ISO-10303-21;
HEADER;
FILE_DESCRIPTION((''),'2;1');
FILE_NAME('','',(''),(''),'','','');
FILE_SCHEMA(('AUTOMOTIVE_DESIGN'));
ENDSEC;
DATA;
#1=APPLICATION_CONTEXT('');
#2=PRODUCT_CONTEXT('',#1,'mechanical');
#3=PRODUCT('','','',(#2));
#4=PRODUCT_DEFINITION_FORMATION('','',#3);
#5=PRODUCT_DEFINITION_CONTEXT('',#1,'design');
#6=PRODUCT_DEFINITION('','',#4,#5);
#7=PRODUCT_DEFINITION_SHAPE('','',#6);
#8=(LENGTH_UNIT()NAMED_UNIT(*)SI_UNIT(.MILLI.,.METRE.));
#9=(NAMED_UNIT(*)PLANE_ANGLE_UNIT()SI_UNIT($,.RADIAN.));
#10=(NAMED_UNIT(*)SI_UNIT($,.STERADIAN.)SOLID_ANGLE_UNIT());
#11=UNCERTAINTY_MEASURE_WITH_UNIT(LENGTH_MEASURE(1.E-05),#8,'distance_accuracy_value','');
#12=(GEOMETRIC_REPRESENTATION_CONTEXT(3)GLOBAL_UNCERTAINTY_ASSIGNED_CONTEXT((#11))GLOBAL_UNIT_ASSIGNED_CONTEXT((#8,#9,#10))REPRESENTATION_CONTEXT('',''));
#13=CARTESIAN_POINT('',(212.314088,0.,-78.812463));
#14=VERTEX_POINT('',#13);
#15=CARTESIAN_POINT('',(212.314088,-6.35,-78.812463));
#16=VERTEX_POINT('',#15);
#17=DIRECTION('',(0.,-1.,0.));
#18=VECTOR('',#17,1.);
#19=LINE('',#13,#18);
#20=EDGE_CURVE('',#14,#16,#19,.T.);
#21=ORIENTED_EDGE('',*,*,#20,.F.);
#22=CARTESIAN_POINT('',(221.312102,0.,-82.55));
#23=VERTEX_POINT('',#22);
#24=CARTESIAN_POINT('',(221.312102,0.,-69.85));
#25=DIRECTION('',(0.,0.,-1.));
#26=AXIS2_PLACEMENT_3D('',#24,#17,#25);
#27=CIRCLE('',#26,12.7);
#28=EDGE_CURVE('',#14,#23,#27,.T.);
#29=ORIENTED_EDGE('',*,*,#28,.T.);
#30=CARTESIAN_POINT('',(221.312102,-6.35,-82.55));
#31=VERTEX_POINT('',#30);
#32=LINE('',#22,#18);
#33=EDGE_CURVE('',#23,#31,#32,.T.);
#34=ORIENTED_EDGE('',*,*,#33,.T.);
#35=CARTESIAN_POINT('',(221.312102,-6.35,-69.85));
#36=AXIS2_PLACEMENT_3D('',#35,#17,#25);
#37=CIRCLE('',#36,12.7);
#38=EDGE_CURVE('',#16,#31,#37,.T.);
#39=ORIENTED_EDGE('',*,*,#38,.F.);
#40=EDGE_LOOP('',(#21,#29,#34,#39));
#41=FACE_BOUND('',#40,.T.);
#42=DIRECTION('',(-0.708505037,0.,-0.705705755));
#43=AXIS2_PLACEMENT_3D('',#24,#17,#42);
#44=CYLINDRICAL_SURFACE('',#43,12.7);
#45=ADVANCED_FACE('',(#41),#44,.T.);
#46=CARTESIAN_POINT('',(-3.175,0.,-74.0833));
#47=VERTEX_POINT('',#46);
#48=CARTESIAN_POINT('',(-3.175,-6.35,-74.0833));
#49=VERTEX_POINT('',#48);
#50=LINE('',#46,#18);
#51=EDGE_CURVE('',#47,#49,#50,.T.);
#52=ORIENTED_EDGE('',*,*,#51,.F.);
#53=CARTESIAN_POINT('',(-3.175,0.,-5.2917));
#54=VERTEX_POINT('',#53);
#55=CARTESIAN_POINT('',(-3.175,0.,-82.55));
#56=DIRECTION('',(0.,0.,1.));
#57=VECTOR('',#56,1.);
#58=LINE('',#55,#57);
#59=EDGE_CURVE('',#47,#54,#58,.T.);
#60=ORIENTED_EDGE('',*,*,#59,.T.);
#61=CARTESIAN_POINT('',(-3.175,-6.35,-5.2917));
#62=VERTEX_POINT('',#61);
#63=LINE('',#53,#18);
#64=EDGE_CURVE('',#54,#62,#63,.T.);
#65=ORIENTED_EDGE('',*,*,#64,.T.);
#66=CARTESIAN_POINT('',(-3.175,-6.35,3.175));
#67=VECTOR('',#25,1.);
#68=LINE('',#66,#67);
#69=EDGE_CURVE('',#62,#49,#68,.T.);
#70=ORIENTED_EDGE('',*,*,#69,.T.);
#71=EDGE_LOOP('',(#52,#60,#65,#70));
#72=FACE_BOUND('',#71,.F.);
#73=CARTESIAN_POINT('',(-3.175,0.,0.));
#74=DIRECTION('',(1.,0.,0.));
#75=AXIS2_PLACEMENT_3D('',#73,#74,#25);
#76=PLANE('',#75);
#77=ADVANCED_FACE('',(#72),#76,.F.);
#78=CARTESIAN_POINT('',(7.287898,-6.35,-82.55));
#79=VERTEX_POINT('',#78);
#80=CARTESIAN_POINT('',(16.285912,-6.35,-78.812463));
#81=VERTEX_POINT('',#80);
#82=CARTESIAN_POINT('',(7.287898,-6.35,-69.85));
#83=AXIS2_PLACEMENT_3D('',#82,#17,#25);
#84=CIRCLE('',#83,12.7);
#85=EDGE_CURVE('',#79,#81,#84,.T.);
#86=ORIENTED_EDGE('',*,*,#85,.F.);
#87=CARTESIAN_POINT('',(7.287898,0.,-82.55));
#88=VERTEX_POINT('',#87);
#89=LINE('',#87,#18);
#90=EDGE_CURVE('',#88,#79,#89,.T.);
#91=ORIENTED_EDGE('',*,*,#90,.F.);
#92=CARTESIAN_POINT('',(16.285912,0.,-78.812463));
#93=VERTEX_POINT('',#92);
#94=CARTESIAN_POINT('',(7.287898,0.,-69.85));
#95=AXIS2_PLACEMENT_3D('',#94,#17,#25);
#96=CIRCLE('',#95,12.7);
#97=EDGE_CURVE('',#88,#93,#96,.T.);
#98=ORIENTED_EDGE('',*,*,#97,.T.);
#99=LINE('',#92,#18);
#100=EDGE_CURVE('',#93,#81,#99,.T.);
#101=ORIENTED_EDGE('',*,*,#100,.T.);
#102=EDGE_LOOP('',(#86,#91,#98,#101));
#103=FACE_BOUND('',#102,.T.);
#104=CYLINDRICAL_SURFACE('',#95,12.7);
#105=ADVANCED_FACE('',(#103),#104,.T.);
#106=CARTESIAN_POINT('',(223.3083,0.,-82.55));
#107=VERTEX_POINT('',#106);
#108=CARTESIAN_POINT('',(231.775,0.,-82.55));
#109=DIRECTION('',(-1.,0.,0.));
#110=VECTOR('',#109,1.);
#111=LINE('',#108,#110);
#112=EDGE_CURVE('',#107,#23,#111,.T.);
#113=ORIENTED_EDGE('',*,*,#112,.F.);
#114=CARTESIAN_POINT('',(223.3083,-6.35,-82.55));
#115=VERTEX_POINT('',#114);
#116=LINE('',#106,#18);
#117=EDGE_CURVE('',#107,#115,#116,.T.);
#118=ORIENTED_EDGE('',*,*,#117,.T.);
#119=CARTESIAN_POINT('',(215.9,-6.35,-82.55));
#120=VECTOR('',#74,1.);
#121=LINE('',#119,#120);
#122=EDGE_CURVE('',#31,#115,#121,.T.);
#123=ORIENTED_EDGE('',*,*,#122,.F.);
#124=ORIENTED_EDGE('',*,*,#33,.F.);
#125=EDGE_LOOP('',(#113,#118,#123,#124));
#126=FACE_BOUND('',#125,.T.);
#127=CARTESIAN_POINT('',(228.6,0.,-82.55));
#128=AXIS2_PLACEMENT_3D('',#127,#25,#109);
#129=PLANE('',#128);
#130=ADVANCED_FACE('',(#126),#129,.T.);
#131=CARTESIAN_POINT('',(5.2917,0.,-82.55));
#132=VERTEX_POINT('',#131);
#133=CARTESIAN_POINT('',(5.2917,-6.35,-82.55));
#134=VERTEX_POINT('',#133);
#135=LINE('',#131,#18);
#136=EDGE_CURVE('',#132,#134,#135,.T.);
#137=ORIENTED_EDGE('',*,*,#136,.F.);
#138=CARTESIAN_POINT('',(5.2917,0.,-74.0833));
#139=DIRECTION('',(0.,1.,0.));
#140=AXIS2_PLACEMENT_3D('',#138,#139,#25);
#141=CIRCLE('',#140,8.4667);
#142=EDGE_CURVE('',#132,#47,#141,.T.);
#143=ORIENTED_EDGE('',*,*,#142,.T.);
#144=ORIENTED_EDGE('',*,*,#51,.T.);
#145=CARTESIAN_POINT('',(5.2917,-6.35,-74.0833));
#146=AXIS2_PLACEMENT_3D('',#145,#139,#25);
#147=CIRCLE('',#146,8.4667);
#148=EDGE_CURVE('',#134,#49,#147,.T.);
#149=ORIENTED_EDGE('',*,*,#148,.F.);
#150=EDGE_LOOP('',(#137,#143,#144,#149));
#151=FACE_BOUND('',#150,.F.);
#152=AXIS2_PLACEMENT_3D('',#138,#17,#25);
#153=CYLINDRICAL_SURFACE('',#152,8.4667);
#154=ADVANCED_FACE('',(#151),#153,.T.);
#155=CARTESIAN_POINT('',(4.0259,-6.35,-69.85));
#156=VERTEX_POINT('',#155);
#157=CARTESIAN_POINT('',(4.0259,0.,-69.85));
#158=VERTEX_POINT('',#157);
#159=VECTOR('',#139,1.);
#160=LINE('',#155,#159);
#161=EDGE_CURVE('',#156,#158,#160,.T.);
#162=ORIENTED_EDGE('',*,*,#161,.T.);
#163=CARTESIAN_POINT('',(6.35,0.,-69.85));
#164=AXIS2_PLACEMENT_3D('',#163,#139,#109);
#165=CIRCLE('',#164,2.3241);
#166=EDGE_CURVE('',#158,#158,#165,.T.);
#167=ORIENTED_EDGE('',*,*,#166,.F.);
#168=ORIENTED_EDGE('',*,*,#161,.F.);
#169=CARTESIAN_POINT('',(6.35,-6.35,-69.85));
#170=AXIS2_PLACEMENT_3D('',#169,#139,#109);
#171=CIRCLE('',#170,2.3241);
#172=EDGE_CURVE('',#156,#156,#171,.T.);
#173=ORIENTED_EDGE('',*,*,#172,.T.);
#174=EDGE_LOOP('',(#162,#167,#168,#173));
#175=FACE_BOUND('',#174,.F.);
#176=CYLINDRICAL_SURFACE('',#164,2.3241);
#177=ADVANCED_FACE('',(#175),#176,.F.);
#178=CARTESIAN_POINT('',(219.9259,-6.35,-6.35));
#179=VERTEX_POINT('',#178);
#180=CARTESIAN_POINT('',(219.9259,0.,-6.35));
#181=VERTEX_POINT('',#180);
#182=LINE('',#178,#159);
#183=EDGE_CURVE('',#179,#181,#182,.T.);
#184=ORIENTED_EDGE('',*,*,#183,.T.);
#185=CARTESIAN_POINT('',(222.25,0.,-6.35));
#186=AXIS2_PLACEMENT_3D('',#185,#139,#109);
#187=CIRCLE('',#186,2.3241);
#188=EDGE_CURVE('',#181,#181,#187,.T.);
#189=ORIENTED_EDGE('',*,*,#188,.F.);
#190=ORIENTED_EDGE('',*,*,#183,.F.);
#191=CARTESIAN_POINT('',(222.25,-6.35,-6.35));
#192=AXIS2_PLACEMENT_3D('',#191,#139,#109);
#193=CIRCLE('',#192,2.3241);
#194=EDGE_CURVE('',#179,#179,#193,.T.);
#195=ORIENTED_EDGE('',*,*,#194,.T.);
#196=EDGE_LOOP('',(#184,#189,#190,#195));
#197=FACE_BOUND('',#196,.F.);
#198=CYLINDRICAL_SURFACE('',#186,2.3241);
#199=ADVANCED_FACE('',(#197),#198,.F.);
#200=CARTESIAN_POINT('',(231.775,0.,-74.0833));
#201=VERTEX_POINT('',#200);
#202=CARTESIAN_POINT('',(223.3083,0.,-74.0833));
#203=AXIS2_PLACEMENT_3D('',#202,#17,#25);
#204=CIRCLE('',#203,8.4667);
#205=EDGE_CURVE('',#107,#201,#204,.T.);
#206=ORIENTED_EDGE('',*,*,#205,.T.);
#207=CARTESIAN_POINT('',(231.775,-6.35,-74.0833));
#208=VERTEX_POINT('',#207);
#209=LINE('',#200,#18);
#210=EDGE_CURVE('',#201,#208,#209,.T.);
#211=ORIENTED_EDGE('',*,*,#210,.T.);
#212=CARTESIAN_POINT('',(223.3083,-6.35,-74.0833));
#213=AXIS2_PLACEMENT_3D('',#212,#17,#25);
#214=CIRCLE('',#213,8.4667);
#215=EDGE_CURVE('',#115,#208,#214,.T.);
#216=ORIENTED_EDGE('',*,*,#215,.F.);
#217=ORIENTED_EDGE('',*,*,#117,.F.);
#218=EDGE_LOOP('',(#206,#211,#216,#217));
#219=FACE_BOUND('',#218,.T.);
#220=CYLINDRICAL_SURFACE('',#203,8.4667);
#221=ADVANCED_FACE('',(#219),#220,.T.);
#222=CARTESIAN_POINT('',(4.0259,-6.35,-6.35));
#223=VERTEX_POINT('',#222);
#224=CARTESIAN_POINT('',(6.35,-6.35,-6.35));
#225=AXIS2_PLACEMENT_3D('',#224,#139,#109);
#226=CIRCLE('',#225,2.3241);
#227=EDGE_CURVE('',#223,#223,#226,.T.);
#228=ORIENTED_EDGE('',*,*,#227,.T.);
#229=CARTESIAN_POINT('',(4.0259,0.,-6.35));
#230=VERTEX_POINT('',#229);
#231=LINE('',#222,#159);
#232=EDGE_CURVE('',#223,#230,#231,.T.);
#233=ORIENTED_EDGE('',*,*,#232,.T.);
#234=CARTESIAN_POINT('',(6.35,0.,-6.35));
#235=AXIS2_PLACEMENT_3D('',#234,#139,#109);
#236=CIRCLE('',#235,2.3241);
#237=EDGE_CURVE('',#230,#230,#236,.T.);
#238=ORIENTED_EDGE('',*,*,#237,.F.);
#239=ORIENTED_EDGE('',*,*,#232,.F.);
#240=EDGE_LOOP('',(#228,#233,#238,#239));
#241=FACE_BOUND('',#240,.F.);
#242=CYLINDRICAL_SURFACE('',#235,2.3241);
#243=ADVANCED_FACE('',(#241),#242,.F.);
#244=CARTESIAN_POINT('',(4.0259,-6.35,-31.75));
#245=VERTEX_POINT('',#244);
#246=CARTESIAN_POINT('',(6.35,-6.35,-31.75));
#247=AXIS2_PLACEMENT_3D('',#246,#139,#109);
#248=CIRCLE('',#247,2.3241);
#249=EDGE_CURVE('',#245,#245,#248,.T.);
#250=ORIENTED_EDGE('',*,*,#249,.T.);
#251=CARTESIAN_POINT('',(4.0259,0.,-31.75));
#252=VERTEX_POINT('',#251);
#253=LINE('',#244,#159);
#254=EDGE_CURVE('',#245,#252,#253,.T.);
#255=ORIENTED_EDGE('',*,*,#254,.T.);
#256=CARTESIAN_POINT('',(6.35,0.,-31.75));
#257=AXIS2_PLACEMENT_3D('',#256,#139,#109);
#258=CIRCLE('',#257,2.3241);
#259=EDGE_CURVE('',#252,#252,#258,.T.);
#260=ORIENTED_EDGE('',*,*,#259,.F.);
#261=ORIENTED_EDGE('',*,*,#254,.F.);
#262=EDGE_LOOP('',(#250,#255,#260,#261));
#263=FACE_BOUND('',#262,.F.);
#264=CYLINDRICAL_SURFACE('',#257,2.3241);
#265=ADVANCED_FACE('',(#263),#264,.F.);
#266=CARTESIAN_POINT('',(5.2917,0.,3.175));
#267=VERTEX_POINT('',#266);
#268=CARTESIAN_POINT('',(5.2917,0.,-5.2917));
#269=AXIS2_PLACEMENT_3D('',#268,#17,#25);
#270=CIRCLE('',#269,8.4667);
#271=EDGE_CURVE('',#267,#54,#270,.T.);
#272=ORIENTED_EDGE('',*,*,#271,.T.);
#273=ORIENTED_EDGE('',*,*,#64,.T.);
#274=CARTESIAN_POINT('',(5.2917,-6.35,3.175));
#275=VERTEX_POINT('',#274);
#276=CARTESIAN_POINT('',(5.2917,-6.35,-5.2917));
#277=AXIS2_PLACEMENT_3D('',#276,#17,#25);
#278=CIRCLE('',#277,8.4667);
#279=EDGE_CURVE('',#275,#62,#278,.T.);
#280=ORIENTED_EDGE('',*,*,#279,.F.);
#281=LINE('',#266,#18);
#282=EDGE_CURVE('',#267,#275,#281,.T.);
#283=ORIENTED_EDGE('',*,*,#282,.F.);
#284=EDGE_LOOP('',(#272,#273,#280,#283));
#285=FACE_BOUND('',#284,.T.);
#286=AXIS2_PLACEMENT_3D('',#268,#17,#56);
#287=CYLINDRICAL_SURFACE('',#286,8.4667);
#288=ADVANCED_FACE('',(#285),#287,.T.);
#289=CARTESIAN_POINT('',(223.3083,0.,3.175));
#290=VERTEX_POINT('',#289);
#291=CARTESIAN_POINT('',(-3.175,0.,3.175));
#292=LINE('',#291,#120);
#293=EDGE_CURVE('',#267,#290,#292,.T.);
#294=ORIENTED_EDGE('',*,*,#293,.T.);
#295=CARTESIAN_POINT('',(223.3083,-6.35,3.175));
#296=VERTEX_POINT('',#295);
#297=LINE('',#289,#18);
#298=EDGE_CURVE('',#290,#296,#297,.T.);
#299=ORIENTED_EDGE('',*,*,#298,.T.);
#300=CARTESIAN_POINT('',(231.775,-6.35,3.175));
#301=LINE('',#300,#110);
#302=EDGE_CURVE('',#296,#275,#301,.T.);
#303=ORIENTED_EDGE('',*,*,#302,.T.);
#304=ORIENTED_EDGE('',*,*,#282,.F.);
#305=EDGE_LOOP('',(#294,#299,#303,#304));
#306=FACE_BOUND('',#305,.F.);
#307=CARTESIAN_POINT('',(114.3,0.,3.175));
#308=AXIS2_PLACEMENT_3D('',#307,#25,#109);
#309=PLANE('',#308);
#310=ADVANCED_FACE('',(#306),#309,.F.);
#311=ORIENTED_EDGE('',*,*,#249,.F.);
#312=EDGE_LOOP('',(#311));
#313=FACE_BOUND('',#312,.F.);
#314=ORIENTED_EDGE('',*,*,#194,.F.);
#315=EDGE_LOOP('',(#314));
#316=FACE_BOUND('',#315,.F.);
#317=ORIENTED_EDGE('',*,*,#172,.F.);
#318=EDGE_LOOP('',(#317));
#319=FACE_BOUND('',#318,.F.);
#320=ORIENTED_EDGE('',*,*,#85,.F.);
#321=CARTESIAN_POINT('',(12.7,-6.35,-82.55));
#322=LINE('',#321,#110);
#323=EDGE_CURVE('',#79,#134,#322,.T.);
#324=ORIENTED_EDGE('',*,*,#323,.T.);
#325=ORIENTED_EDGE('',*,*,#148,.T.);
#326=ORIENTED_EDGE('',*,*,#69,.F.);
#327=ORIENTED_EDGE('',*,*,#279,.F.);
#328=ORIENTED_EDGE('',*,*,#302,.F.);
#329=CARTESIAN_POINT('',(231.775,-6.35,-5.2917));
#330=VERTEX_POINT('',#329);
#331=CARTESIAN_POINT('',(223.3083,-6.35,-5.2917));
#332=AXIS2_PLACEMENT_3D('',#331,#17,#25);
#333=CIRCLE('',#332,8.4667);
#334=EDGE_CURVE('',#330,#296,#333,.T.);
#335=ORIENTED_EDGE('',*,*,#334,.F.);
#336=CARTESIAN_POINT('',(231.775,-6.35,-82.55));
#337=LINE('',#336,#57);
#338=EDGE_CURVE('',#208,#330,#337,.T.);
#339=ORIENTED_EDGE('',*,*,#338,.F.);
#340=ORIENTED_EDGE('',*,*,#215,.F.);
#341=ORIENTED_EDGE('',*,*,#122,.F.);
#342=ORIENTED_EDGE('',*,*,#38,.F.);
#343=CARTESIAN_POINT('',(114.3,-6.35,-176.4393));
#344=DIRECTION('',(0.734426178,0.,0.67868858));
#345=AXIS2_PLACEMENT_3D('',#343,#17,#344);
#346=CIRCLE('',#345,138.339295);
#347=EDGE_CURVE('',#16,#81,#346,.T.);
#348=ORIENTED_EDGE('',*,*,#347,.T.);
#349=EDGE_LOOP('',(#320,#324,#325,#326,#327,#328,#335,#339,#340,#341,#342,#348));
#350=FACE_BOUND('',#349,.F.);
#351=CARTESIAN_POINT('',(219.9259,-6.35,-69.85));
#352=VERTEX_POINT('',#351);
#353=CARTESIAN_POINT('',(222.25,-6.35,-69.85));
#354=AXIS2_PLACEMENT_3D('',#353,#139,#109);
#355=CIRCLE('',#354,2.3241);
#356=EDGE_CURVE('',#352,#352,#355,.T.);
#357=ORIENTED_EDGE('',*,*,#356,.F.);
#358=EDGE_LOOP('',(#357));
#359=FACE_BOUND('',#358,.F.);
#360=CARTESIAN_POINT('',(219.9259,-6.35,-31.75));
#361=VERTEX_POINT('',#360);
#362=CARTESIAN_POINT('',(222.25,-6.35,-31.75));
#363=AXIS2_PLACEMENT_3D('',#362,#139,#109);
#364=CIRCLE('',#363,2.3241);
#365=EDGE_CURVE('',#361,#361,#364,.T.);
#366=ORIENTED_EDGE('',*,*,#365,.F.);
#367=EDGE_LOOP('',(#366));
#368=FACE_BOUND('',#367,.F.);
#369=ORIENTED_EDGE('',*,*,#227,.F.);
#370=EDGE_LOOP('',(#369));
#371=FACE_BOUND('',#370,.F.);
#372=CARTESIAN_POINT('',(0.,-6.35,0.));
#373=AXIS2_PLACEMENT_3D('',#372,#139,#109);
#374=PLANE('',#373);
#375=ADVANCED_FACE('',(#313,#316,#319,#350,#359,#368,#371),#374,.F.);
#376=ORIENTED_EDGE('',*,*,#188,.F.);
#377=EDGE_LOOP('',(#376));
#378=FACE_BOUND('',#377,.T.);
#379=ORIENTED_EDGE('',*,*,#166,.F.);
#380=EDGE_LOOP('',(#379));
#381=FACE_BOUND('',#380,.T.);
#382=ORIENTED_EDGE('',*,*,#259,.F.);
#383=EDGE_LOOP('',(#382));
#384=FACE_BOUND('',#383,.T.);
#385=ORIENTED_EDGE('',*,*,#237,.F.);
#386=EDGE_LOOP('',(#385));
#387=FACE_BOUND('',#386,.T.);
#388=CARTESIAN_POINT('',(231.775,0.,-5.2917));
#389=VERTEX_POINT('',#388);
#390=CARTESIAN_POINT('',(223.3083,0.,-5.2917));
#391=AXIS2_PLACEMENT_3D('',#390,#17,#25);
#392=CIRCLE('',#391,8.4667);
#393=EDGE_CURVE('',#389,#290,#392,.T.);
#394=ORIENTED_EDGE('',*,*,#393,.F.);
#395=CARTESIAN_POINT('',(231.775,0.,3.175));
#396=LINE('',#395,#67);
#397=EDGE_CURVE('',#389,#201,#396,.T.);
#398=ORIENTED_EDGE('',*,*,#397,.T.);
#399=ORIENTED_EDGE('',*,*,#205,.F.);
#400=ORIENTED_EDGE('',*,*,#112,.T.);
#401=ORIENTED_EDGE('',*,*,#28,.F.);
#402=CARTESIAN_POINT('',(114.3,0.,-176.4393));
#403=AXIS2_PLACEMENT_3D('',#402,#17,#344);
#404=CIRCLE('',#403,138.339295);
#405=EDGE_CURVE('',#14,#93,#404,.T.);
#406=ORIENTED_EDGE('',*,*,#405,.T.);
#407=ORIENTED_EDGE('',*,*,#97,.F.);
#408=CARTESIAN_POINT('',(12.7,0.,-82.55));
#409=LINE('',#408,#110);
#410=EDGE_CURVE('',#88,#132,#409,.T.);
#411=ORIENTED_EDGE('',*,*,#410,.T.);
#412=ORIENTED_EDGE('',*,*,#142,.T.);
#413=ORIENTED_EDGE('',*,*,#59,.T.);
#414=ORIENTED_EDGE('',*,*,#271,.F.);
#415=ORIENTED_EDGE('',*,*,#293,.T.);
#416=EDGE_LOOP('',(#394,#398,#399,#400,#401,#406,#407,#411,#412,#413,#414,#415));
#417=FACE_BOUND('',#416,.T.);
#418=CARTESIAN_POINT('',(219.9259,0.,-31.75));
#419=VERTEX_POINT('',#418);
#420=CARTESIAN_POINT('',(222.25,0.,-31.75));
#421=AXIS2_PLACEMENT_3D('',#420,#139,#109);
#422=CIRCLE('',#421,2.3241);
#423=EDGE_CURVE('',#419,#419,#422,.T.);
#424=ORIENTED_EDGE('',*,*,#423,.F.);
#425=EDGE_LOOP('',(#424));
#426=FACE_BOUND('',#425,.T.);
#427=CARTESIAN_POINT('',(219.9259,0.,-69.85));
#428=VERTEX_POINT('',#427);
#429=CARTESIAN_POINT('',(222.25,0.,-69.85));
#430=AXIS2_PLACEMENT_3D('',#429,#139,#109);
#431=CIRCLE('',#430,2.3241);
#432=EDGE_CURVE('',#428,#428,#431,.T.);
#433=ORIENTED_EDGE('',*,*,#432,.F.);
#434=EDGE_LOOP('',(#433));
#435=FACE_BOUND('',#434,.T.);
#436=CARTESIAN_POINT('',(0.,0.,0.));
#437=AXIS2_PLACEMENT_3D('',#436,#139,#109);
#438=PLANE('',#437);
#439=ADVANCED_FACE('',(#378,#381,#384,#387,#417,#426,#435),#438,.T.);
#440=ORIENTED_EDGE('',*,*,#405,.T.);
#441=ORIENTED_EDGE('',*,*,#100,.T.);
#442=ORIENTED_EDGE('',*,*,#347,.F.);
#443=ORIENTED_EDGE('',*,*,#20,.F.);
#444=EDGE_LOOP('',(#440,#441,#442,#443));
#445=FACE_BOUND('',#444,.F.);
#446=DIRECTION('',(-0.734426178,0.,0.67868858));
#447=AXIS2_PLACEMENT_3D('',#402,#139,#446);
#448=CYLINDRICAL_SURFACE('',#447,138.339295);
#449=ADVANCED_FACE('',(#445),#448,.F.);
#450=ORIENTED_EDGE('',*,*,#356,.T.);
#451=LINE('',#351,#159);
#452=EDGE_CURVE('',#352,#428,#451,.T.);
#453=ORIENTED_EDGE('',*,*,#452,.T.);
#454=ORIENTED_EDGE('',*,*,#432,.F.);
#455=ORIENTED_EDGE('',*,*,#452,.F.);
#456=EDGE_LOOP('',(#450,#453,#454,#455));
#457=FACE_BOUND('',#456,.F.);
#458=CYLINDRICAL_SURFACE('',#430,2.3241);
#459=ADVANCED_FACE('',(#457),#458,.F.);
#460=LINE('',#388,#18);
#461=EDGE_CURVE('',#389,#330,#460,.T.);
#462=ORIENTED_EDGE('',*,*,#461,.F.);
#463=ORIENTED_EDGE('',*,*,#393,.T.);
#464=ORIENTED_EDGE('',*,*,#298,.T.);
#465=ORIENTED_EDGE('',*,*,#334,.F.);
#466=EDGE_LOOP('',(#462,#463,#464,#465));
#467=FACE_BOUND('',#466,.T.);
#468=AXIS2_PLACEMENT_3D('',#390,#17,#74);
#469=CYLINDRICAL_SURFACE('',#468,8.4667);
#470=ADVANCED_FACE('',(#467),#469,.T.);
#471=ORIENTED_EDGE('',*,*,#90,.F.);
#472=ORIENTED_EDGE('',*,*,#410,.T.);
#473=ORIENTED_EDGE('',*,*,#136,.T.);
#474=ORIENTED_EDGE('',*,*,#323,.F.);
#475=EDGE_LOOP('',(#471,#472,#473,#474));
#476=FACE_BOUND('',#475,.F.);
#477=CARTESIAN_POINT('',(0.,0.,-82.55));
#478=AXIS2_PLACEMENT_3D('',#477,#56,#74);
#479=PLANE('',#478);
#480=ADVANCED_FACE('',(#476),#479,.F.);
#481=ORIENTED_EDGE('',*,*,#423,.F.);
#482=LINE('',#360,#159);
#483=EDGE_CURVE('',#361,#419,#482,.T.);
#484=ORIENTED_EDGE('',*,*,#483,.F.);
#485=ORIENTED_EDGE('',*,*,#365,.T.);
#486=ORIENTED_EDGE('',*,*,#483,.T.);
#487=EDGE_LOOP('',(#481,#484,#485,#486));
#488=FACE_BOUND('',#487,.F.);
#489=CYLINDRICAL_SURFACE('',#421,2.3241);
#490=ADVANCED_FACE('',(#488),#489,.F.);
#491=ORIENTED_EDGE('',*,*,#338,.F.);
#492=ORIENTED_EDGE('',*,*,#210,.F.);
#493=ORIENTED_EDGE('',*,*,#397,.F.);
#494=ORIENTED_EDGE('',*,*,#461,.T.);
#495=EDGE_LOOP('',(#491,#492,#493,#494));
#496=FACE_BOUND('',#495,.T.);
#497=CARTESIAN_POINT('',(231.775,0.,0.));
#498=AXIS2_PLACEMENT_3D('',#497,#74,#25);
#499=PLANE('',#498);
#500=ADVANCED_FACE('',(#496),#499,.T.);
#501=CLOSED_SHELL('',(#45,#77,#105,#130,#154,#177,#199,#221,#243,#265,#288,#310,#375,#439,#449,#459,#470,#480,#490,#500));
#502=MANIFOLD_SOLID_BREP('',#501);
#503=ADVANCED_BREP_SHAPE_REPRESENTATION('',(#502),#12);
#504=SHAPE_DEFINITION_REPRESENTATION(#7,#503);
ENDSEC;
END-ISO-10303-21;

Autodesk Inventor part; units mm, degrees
ref_plane "YZ Plane" through (0, 0, 0) normal (1, 0, 0) x (0, 1, 0)
ref_plane "XZ Plane" through (0, 0, 0) normal (0, 1, 0) x (-1, 0, 0)
ref_plane "XY Plane" through (0, 0, 0) normal (0, 0, 1) x (1, 0, 0)
sketch "Sketch1" plane through (0, 0, 0) normal (0, 1, 0) x (-1, 0, 0)
  line L0 (0, 0) -> (-228.6, 0)
  line L1 (-228.6, 0) -> (-228.6, -82.55)
  line L2 (0, 0) -> (0, -82.55)
  line L3 (-228.6, 0) -> (-222.25, 0)
  circle A0 centre (-222.25, -6.35) radius 2.3241
  circle A1 centre (-222.25, -31.75) radius 2.3241
  line L4 (-228.6, 0) -> (-114.3, 0)
  line L5 (-114.3, 0) -> (-114.3, 9.4502)
  circle A2 centre (-222.25, -69.85) radius 2.3241
  circle A3 centre (-6.35, -6.35) radius 2.3241
  circle A4 centre (-6.35, -31.75) radius 2.3241
  circle A5 centre (-6.35, -69.85) radius 2.3241
  line L6 (-228.6, -82.55) -> (-215.9, -82.55)
  line L7 (0, -82.55) -> (-12.7, -82.55)
  line L8 (-114.3, 0) -> (-114.3, -38.1)
  arc A6 (-12.7, -82.55) -> (-215.9, -82.55) centre (-114.3, -176.4393) ccw
  line L9 (-228.6, 0) -> (-231.775, 0)
  line L10 (-231.775, 0) -> (-231.775, -82.55)
  line L11 (-231.775, -82.55) -> (-228.6, -82.55)
  line L12 (-228.6, 0) -> (-228.6, 3.175)
  line L13 (-228.6, 3.175) -> (-231.775, 3.175)
  line L14 (-231.775, 3.175) -> (-231.775, 0)
  line L15 (-228.6, 3.175) -> (0, 3.175)
  line L16 (0, 3.175) -> (0, 0)
  line L17 (0, 0) -> (3.175, 0)
  line L18 (3.175, 0) -> (3.175, 3.175)
  line L19 (3.175, 3.175) -> (0, 3.175)
  line L20 (3.175, 0) -> (3.175, -82.55)
  line L21 (3.175, -82.55) -> (0, -82.55)
  point P0 (-225.425, 0)
  dimension "d0" = 228.6
  dimension "d1" = 82.55
  dimension "d2" = 6.35
  dimension "d4" = 4.6482
  dimension "d6" = 4.6482
  dimension "d7" = 114.3
  dimension "d9" = 4.6482
  dimension "d10" = 6.35
  dimension "d11" = 31.75
  dimension "d12" = 69.85
  dimension "d14" = 12.7
  dimension "d15" = 12.7
  dimension "d16" = 38.1
  dimension "d20" = 3.175
  dimension "d21" = 3.175
  dimension "d22" = 3.175
extrude "Extrusion1" add sketch "Sketch1" against normal blind 3.175 contours L2 L7 A6 L8 L0 | L8 A6 L6 L1 L0
fillet "Fillet1" radius 8.4667 4 edges at (228.6, -1.5875, -82.55) (215.9, -1.5875, -82.55) (12.7, -1.5875, -82.55) (0, -1.5875, -82.55)
extrude "Extrusion2" add sketch "Sketch1" against normal blind 6.35
fillet "Fillet2" radius 8.4667 4 edges at (231.775, -3.175, -82.55) (231.775, -3.175, 3.175) (-3.175, -3.175, 3.175) (-3.175, -3.175, -82.55)
fillet "Fillet3" radius 12.7 2 edges at (215.9, -3.175, -82.55) (12.7, -3.175, -82.55)
properties part number "Intake (Plastic)"
